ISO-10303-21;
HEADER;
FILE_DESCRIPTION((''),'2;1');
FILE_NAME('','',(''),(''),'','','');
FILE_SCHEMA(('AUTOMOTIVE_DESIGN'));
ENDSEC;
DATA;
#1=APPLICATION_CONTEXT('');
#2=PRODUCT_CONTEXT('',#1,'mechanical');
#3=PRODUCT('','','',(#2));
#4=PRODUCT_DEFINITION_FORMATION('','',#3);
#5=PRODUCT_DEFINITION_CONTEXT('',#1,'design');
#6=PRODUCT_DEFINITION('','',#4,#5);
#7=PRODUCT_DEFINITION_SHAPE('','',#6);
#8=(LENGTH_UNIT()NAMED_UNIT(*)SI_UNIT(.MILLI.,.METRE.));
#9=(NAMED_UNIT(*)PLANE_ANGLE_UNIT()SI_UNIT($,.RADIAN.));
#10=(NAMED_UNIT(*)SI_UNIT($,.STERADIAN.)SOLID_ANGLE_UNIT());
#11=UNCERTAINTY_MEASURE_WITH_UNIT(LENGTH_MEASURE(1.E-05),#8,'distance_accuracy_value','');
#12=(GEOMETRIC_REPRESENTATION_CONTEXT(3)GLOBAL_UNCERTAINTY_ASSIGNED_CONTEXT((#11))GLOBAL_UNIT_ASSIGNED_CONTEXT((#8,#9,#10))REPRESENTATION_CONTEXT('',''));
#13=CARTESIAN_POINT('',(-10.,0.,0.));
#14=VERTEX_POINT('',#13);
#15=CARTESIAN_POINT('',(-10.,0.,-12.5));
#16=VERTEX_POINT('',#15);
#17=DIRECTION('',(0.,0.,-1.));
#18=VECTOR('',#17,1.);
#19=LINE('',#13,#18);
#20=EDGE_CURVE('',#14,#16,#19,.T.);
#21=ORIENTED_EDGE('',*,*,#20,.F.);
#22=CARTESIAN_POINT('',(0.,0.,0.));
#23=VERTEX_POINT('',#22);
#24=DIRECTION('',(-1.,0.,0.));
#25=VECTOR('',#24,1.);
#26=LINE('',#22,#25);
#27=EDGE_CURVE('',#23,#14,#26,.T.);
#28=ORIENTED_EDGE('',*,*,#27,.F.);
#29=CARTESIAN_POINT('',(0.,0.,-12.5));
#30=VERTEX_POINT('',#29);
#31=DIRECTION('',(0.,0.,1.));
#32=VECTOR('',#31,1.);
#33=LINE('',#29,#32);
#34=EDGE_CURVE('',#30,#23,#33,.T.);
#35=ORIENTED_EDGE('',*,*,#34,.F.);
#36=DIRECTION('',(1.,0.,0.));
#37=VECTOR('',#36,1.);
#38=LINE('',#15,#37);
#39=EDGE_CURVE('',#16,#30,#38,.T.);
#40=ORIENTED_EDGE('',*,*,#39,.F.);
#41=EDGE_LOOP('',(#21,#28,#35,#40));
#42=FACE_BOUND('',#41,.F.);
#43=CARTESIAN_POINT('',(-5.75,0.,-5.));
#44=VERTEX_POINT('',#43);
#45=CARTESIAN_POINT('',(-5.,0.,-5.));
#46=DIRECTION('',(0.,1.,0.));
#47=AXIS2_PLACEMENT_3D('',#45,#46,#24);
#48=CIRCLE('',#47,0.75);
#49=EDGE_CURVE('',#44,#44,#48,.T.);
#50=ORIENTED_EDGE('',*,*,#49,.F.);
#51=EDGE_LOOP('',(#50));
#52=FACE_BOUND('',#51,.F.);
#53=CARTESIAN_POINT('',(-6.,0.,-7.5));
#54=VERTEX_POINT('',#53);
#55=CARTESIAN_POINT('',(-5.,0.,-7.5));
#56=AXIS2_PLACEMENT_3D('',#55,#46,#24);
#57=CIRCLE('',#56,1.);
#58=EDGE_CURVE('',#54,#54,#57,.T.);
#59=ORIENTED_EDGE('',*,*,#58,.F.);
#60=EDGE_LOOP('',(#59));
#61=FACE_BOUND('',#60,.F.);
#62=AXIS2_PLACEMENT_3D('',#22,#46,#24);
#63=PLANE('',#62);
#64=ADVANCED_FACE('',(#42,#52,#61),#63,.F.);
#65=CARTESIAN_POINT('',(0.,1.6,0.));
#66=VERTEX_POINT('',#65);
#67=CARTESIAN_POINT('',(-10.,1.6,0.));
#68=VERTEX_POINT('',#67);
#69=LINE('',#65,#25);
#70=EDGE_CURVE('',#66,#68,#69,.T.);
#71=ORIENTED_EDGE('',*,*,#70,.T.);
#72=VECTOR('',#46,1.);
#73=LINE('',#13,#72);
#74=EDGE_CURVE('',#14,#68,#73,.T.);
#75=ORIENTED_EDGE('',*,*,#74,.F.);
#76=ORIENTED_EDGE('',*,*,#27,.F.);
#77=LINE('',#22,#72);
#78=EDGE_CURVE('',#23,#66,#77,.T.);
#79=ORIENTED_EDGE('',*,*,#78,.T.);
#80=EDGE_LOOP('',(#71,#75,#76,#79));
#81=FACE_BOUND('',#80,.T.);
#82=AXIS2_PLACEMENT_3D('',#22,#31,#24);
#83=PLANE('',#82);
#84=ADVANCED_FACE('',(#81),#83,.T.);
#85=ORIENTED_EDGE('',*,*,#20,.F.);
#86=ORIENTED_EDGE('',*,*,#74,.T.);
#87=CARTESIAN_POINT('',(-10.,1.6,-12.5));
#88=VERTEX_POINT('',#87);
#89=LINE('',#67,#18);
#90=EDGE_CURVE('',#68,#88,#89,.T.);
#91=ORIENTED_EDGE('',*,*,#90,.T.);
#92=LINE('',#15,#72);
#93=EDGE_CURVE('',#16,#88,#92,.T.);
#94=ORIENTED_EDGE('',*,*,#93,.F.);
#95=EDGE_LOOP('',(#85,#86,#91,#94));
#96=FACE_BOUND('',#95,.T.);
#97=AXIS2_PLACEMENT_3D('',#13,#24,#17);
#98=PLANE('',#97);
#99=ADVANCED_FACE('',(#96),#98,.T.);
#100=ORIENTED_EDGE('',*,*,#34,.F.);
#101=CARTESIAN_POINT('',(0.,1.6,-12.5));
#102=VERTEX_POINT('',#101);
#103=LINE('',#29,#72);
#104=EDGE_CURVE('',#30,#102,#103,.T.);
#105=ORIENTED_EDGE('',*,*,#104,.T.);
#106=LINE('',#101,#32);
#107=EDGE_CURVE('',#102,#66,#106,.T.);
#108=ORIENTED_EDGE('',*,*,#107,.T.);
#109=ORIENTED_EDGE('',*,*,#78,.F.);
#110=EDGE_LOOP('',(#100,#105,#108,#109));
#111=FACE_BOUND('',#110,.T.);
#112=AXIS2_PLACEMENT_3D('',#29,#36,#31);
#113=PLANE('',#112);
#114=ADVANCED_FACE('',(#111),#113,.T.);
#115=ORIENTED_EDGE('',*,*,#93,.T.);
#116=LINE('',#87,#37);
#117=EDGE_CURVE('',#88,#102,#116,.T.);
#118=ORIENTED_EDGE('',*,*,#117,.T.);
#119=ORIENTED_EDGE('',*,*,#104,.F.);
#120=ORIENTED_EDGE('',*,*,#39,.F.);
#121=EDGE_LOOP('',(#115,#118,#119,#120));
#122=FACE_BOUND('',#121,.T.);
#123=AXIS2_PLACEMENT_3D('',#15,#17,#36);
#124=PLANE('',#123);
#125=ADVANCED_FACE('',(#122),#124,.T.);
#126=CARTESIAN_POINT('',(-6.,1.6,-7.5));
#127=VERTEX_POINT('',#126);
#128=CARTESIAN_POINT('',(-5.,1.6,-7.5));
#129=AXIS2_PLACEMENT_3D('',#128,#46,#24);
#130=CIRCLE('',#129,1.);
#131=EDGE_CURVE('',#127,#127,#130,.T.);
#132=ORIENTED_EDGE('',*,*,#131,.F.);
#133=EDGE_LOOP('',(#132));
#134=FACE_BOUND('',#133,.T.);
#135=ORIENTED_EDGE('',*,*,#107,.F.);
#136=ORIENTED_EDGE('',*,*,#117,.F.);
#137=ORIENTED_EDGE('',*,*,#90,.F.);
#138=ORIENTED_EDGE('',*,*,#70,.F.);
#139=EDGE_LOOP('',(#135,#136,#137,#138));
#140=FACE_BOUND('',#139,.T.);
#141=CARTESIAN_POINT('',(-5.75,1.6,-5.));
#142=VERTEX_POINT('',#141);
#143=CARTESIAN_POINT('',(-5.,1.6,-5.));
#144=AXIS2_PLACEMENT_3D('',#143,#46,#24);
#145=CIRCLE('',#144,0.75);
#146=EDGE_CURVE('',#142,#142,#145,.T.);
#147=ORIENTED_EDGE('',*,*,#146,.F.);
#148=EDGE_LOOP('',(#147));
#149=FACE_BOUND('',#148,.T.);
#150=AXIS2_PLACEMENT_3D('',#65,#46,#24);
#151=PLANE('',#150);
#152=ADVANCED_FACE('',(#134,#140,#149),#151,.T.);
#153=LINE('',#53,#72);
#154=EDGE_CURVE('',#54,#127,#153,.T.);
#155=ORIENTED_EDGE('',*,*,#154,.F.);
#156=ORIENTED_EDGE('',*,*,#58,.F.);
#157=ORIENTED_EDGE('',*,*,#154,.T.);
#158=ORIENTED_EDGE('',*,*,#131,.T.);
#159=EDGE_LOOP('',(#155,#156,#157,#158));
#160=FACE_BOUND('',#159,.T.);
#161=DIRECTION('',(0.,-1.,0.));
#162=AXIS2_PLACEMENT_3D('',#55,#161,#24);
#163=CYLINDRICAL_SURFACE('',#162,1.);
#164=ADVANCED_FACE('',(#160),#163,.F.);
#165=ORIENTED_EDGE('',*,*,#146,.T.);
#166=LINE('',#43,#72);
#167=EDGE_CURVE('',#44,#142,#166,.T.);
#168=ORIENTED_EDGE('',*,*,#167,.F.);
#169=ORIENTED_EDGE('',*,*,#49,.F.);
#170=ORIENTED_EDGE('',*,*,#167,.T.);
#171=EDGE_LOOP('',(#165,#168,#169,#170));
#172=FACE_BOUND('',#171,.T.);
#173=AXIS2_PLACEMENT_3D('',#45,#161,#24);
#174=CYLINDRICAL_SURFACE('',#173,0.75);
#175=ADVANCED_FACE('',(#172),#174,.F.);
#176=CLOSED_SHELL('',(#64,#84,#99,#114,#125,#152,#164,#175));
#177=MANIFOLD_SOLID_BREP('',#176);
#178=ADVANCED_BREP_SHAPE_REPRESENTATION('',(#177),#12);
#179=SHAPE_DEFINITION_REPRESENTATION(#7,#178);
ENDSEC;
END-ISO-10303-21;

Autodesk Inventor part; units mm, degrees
ref_plane "YZ Plane" through (0, 0, 0) normal (1, 0, 0) x (0, 1, 0)
ref_plane "XZ Plane" through (0, 0, 0) normal (0, 1, 0) x (-1, 0, 0)
ref_plane "XY Plane" through (0, 0, 0) normal (0, 0, 1) x (1, 0, 0)
sketch "Sketch1" plane through (0, 0, 0) normal (0, 1, 0) x (-1, 0, 0)
  line L0 (0, 0) -> (10, 0)
  line L1 (10, 0) -> (10, -12.5)
  line L2 (10, -12.5) -> (0, -12.5)
  line L3 (0, -12.5) -> (0, 0)
  line L4 (5, -3.5761) -> (5, -9.8666) construction
  circle A0 centre (5, -5) radius 0.75
  circle A1 centre (5, -7.5) radius 1
  dimension "d0" = 10
  dimension "d1" = 12.5
  dimension "d2" = 7.5
  dimension "d3" = 7.5
  dimension "d6" = 1.5
  dimension "d7" = 2
extrude "Extrusion1" add sketch "Sketch1" along normal blind 1.6
properties part number "Slit_insert"
